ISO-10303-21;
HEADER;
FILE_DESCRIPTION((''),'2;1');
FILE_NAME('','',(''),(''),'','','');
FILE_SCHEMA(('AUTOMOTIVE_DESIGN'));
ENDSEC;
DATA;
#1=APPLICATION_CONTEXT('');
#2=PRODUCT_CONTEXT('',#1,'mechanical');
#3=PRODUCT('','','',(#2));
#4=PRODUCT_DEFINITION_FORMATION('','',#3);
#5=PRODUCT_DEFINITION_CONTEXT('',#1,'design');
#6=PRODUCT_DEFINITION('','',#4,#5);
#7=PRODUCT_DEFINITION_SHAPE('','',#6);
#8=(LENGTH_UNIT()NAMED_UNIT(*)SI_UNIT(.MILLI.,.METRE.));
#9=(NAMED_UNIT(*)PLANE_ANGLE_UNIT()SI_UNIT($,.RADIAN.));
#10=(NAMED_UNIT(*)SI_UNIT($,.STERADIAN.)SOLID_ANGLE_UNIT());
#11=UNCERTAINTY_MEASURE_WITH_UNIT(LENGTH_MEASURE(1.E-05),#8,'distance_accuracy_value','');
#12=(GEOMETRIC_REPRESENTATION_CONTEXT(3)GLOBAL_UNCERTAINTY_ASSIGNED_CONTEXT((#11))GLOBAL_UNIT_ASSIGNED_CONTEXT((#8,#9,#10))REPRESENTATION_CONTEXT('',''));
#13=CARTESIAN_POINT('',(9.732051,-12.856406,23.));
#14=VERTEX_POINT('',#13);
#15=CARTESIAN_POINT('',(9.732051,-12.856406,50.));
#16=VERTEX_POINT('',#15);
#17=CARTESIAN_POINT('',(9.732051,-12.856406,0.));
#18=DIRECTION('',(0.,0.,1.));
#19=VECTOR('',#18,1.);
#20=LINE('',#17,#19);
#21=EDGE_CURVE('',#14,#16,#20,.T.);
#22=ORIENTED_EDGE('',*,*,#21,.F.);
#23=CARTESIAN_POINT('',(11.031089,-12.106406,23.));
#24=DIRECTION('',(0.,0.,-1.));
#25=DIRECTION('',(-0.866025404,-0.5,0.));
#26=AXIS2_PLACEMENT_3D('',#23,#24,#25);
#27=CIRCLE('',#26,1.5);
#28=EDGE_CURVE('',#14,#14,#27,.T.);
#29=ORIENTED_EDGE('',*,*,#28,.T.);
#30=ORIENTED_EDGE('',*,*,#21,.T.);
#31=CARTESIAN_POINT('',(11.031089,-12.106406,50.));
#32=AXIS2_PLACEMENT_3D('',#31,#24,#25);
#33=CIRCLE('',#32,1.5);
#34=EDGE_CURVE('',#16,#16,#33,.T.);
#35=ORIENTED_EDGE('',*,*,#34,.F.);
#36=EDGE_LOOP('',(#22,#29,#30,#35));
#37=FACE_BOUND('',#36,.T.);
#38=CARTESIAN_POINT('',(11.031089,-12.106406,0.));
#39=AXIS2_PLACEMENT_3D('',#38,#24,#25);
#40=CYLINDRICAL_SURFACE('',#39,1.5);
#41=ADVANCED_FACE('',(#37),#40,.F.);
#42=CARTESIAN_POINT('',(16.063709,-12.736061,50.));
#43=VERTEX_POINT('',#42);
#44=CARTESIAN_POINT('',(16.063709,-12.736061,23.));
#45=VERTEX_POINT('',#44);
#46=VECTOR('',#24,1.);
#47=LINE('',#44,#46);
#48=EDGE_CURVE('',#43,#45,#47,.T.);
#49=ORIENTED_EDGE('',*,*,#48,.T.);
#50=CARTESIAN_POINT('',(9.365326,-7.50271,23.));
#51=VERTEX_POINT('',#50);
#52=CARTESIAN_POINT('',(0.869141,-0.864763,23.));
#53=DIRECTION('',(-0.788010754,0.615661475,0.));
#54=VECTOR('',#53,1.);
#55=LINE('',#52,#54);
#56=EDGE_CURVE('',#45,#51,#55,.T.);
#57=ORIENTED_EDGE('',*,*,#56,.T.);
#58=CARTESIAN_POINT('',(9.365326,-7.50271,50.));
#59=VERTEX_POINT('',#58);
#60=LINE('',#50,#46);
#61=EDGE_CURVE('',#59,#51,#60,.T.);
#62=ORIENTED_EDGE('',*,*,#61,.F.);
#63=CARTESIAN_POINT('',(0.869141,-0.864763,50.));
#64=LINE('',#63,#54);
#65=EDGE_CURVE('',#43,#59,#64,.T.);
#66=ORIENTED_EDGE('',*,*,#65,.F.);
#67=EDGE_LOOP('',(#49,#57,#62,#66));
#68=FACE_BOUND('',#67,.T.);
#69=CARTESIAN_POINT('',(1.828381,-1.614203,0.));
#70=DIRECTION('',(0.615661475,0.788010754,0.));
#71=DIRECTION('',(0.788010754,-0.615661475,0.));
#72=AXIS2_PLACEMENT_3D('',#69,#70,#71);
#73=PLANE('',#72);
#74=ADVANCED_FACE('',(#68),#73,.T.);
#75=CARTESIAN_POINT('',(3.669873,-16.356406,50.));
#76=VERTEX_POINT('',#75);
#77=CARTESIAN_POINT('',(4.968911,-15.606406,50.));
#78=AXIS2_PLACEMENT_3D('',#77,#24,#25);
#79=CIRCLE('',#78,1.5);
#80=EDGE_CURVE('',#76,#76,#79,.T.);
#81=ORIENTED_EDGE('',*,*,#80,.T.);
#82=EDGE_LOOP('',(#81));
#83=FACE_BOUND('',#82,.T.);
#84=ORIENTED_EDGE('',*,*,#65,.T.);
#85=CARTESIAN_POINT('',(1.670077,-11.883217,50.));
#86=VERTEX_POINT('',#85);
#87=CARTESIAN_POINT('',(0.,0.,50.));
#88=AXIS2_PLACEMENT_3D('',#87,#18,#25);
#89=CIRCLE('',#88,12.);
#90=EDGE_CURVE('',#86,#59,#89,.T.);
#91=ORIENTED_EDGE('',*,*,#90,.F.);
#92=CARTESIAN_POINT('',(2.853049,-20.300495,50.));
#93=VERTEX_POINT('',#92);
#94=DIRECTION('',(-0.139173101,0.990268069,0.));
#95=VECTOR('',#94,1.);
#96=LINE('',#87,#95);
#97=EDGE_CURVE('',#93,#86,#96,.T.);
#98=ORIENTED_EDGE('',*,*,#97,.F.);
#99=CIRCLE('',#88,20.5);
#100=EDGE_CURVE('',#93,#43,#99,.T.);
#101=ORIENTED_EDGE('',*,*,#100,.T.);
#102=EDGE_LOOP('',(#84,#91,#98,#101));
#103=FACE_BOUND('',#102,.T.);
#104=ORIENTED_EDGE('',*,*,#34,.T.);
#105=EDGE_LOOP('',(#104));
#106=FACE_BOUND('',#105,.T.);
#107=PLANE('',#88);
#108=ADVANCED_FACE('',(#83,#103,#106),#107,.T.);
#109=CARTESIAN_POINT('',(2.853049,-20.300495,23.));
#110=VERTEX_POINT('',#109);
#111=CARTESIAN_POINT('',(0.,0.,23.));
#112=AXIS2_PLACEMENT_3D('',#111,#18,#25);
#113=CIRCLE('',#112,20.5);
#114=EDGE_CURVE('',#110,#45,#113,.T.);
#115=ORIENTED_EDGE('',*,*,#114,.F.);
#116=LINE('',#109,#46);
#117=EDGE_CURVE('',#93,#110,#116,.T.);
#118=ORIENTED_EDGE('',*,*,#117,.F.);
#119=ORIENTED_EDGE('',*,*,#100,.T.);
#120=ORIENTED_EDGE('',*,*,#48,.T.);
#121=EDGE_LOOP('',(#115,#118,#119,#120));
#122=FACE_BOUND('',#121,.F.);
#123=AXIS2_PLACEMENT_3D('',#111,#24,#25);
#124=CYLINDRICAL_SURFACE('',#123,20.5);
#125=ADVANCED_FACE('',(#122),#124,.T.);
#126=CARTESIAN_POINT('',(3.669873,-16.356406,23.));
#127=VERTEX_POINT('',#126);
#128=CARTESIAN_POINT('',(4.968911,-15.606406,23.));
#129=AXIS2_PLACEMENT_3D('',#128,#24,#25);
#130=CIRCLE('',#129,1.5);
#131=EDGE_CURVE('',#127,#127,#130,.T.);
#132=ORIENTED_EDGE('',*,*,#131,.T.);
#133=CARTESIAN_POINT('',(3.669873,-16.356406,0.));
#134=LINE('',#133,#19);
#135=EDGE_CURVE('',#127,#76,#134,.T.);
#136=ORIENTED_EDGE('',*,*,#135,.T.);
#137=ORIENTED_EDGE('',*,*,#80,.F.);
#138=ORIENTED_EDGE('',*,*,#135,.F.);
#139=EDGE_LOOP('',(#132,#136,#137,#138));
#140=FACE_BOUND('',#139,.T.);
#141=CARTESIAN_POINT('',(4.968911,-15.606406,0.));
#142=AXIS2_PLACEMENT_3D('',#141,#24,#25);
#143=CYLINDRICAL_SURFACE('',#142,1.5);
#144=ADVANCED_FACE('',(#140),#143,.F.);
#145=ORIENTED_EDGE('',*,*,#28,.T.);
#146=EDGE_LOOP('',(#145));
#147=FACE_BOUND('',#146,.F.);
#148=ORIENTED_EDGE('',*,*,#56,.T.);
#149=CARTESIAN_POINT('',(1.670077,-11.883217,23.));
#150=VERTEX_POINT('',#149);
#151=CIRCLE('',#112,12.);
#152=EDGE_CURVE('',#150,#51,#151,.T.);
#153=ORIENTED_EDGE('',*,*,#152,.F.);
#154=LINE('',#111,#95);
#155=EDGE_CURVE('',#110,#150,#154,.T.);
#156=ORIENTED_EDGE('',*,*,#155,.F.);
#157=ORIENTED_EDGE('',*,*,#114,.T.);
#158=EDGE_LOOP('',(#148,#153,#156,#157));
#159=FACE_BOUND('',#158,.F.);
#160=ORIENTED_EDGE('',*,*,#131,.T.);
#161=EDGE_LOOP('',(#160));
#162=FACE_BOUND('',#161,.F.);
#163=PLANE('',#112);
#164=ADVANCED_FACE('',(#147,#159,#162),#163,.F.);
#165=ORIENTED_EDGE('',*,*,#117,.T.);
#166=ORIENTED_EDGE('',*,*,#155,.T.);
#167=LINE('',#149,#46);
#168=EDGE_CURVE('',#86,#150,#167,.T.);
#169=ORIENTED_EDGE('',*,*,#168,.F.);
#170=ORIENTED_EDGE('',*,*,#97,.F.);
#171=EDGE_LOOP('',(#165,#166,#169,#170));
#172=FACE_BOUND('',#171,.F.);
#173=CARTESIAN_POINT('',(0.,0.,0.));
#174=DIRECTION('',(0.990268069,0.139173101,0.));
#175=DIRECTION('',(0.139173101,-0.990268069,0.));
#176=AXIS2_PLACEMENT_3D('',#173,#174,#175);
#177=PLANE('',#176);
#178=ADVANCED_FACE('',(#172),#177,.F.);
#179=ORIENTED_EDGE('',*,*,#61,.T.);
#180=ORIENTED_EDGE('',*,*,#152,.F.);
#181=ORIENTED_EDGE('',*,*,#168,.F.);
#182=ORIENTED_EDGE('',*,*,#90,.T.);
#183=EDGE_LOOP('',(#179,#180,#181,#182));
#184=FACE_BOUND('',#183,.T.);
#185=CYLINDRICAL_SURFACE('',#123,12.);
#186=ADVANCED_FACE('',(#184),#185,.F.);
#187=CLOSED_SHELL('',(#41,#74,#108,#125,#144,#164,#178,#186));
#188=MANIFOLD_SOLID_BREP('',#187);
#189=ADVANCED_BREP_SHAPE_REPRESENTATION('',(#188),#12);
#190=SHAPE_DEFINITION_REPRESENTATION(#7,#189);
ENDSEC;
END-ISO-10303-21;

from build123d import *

# Parameters (mm, degrees)
CYLINDER860_R          = 1.5
CYLINDER860_DEPTH      = 60
CYLINDER859_R          = 1.5
CYLINDER859_DEPTH      = 60
BOX336_W               = 20
BOX336_H               = 40
BOX336_DEPTH           = 60
BOX336_PLACEMENT_ANGLE = 22
BOX410_W               = 20
BOX410_H               = 40
BOX410_DEPTH           = 60
BOX410_PLACEMENT_ANGLE = 22
BOX335_W               = 60
BOX335_H               = 40
BOX335_DEPTH           = 60
TUBE037_R              = 20.5
TUBE037_R_2            = 12
TUBE037_DEPTH          = 27
CUT470_PLACEMENT_ANGLE = 210


with BuildPart() as v_lec860:
    # Cylinder860 → Cylinder860 (new body)
    with BuildSketch(Plane(origin=(-3.5, 16, 0), x_dir=(1, 0, 0), z_dir=(0, 0, 1))):
        Circle(CYLINDER860_R)
    extrude(amount=CYLINDER860_DEPTH)


with BuildPart() as compound565:
    # Cylinder859 → Cylinder859 (new body)
    with BuildSketch(Plane(origin=(3.5, 16, 0), x_dir=(1, 0, 0), z_dir=(0, 0, 1))):
        Circle(CYLINDER859_R)
    extrude(amount=CYLINDER859_DEPTH)

    # Compound565: union Válec860
    add(v_lec860.part)


with BuildPart() as krychle336:
    # Box336 → Box336 (new body)
    with BuildSketch(Plane.XY):
        with Locations((10, 20)):
            Rectangle(BOX336_W, BOX336_H)
    extrude(amount=BOX336_DEPTH)


with BuildPart() as krychle336_1:
    # Box336 placement: moved
    add(krychle336.part.rotate(Axis((0, 0, 0), (0, 0, -1)), BOX336_PLACEMENT_ANGLE))


with BuildPart() as krychle410:
    # Box410 → Box410 (new body)
    with BuildSketch(Plane.XY):
        with Locations((10, 20)):
            Rectangle(BOX410_W, BOX410_H)
    extrude(amount=BOX410_DEPTH)


with BuildPart() as krychle410_1:
    # Box410 placement: moved
    add(krychle410.part.moved(Location((-19.32, -5.18, 0))).rotate(Axis((-19.32, -5.18, 0), (0, 0, 1)), BOX410_PLACEMENT_ANGLE))


with BuildPart() as krychle335:
    # Box335 → Box335 (new body)
    with BuildSketch(Plane(origin=(-30, -35, 0), x_dir=(1, 0, 0), z_dir=(0, 0, 1))):
        with Locations((30, 20)):
            Rectangle(BOX335_W, BOX335_H)
    extrude(amount=BOX335_DEPTH)


with BuildPart() as cut470:
    # Tube037 → Tube037 (new body)
    with BuildSketch(Plane.XY.offset(23)):
        Circle(TUBE037_R)
        Circle(TUBE037_R_2, mode=Mode.SUBTRACT)
    extrude(amount=TUBE037_DEPTH)

    # Cut355: cut Krychle335
    add(krychle335.part, mode=Mode.SUBTRACT)

    # Cut357: cut Krychle410
    add(krychle410_1.part, mode=Mode.SUBTRACT)

    # Cut358: cut Krychle336
    add(krychle336_1.part, mode=Mode.SUBTRACT)

    # Cut470: cut Compound565
    add(compound565.part, mode=Mode.SUBTRACT)


with BuildPart() as cut470_1:
    # Cut470 placement: moved
    add(cut470.part.rotate(Axis((0, 0, 0), (0, 0, 1)), CUT470_PLACEMENT_ANGLE))


solid = cut470_1.part
